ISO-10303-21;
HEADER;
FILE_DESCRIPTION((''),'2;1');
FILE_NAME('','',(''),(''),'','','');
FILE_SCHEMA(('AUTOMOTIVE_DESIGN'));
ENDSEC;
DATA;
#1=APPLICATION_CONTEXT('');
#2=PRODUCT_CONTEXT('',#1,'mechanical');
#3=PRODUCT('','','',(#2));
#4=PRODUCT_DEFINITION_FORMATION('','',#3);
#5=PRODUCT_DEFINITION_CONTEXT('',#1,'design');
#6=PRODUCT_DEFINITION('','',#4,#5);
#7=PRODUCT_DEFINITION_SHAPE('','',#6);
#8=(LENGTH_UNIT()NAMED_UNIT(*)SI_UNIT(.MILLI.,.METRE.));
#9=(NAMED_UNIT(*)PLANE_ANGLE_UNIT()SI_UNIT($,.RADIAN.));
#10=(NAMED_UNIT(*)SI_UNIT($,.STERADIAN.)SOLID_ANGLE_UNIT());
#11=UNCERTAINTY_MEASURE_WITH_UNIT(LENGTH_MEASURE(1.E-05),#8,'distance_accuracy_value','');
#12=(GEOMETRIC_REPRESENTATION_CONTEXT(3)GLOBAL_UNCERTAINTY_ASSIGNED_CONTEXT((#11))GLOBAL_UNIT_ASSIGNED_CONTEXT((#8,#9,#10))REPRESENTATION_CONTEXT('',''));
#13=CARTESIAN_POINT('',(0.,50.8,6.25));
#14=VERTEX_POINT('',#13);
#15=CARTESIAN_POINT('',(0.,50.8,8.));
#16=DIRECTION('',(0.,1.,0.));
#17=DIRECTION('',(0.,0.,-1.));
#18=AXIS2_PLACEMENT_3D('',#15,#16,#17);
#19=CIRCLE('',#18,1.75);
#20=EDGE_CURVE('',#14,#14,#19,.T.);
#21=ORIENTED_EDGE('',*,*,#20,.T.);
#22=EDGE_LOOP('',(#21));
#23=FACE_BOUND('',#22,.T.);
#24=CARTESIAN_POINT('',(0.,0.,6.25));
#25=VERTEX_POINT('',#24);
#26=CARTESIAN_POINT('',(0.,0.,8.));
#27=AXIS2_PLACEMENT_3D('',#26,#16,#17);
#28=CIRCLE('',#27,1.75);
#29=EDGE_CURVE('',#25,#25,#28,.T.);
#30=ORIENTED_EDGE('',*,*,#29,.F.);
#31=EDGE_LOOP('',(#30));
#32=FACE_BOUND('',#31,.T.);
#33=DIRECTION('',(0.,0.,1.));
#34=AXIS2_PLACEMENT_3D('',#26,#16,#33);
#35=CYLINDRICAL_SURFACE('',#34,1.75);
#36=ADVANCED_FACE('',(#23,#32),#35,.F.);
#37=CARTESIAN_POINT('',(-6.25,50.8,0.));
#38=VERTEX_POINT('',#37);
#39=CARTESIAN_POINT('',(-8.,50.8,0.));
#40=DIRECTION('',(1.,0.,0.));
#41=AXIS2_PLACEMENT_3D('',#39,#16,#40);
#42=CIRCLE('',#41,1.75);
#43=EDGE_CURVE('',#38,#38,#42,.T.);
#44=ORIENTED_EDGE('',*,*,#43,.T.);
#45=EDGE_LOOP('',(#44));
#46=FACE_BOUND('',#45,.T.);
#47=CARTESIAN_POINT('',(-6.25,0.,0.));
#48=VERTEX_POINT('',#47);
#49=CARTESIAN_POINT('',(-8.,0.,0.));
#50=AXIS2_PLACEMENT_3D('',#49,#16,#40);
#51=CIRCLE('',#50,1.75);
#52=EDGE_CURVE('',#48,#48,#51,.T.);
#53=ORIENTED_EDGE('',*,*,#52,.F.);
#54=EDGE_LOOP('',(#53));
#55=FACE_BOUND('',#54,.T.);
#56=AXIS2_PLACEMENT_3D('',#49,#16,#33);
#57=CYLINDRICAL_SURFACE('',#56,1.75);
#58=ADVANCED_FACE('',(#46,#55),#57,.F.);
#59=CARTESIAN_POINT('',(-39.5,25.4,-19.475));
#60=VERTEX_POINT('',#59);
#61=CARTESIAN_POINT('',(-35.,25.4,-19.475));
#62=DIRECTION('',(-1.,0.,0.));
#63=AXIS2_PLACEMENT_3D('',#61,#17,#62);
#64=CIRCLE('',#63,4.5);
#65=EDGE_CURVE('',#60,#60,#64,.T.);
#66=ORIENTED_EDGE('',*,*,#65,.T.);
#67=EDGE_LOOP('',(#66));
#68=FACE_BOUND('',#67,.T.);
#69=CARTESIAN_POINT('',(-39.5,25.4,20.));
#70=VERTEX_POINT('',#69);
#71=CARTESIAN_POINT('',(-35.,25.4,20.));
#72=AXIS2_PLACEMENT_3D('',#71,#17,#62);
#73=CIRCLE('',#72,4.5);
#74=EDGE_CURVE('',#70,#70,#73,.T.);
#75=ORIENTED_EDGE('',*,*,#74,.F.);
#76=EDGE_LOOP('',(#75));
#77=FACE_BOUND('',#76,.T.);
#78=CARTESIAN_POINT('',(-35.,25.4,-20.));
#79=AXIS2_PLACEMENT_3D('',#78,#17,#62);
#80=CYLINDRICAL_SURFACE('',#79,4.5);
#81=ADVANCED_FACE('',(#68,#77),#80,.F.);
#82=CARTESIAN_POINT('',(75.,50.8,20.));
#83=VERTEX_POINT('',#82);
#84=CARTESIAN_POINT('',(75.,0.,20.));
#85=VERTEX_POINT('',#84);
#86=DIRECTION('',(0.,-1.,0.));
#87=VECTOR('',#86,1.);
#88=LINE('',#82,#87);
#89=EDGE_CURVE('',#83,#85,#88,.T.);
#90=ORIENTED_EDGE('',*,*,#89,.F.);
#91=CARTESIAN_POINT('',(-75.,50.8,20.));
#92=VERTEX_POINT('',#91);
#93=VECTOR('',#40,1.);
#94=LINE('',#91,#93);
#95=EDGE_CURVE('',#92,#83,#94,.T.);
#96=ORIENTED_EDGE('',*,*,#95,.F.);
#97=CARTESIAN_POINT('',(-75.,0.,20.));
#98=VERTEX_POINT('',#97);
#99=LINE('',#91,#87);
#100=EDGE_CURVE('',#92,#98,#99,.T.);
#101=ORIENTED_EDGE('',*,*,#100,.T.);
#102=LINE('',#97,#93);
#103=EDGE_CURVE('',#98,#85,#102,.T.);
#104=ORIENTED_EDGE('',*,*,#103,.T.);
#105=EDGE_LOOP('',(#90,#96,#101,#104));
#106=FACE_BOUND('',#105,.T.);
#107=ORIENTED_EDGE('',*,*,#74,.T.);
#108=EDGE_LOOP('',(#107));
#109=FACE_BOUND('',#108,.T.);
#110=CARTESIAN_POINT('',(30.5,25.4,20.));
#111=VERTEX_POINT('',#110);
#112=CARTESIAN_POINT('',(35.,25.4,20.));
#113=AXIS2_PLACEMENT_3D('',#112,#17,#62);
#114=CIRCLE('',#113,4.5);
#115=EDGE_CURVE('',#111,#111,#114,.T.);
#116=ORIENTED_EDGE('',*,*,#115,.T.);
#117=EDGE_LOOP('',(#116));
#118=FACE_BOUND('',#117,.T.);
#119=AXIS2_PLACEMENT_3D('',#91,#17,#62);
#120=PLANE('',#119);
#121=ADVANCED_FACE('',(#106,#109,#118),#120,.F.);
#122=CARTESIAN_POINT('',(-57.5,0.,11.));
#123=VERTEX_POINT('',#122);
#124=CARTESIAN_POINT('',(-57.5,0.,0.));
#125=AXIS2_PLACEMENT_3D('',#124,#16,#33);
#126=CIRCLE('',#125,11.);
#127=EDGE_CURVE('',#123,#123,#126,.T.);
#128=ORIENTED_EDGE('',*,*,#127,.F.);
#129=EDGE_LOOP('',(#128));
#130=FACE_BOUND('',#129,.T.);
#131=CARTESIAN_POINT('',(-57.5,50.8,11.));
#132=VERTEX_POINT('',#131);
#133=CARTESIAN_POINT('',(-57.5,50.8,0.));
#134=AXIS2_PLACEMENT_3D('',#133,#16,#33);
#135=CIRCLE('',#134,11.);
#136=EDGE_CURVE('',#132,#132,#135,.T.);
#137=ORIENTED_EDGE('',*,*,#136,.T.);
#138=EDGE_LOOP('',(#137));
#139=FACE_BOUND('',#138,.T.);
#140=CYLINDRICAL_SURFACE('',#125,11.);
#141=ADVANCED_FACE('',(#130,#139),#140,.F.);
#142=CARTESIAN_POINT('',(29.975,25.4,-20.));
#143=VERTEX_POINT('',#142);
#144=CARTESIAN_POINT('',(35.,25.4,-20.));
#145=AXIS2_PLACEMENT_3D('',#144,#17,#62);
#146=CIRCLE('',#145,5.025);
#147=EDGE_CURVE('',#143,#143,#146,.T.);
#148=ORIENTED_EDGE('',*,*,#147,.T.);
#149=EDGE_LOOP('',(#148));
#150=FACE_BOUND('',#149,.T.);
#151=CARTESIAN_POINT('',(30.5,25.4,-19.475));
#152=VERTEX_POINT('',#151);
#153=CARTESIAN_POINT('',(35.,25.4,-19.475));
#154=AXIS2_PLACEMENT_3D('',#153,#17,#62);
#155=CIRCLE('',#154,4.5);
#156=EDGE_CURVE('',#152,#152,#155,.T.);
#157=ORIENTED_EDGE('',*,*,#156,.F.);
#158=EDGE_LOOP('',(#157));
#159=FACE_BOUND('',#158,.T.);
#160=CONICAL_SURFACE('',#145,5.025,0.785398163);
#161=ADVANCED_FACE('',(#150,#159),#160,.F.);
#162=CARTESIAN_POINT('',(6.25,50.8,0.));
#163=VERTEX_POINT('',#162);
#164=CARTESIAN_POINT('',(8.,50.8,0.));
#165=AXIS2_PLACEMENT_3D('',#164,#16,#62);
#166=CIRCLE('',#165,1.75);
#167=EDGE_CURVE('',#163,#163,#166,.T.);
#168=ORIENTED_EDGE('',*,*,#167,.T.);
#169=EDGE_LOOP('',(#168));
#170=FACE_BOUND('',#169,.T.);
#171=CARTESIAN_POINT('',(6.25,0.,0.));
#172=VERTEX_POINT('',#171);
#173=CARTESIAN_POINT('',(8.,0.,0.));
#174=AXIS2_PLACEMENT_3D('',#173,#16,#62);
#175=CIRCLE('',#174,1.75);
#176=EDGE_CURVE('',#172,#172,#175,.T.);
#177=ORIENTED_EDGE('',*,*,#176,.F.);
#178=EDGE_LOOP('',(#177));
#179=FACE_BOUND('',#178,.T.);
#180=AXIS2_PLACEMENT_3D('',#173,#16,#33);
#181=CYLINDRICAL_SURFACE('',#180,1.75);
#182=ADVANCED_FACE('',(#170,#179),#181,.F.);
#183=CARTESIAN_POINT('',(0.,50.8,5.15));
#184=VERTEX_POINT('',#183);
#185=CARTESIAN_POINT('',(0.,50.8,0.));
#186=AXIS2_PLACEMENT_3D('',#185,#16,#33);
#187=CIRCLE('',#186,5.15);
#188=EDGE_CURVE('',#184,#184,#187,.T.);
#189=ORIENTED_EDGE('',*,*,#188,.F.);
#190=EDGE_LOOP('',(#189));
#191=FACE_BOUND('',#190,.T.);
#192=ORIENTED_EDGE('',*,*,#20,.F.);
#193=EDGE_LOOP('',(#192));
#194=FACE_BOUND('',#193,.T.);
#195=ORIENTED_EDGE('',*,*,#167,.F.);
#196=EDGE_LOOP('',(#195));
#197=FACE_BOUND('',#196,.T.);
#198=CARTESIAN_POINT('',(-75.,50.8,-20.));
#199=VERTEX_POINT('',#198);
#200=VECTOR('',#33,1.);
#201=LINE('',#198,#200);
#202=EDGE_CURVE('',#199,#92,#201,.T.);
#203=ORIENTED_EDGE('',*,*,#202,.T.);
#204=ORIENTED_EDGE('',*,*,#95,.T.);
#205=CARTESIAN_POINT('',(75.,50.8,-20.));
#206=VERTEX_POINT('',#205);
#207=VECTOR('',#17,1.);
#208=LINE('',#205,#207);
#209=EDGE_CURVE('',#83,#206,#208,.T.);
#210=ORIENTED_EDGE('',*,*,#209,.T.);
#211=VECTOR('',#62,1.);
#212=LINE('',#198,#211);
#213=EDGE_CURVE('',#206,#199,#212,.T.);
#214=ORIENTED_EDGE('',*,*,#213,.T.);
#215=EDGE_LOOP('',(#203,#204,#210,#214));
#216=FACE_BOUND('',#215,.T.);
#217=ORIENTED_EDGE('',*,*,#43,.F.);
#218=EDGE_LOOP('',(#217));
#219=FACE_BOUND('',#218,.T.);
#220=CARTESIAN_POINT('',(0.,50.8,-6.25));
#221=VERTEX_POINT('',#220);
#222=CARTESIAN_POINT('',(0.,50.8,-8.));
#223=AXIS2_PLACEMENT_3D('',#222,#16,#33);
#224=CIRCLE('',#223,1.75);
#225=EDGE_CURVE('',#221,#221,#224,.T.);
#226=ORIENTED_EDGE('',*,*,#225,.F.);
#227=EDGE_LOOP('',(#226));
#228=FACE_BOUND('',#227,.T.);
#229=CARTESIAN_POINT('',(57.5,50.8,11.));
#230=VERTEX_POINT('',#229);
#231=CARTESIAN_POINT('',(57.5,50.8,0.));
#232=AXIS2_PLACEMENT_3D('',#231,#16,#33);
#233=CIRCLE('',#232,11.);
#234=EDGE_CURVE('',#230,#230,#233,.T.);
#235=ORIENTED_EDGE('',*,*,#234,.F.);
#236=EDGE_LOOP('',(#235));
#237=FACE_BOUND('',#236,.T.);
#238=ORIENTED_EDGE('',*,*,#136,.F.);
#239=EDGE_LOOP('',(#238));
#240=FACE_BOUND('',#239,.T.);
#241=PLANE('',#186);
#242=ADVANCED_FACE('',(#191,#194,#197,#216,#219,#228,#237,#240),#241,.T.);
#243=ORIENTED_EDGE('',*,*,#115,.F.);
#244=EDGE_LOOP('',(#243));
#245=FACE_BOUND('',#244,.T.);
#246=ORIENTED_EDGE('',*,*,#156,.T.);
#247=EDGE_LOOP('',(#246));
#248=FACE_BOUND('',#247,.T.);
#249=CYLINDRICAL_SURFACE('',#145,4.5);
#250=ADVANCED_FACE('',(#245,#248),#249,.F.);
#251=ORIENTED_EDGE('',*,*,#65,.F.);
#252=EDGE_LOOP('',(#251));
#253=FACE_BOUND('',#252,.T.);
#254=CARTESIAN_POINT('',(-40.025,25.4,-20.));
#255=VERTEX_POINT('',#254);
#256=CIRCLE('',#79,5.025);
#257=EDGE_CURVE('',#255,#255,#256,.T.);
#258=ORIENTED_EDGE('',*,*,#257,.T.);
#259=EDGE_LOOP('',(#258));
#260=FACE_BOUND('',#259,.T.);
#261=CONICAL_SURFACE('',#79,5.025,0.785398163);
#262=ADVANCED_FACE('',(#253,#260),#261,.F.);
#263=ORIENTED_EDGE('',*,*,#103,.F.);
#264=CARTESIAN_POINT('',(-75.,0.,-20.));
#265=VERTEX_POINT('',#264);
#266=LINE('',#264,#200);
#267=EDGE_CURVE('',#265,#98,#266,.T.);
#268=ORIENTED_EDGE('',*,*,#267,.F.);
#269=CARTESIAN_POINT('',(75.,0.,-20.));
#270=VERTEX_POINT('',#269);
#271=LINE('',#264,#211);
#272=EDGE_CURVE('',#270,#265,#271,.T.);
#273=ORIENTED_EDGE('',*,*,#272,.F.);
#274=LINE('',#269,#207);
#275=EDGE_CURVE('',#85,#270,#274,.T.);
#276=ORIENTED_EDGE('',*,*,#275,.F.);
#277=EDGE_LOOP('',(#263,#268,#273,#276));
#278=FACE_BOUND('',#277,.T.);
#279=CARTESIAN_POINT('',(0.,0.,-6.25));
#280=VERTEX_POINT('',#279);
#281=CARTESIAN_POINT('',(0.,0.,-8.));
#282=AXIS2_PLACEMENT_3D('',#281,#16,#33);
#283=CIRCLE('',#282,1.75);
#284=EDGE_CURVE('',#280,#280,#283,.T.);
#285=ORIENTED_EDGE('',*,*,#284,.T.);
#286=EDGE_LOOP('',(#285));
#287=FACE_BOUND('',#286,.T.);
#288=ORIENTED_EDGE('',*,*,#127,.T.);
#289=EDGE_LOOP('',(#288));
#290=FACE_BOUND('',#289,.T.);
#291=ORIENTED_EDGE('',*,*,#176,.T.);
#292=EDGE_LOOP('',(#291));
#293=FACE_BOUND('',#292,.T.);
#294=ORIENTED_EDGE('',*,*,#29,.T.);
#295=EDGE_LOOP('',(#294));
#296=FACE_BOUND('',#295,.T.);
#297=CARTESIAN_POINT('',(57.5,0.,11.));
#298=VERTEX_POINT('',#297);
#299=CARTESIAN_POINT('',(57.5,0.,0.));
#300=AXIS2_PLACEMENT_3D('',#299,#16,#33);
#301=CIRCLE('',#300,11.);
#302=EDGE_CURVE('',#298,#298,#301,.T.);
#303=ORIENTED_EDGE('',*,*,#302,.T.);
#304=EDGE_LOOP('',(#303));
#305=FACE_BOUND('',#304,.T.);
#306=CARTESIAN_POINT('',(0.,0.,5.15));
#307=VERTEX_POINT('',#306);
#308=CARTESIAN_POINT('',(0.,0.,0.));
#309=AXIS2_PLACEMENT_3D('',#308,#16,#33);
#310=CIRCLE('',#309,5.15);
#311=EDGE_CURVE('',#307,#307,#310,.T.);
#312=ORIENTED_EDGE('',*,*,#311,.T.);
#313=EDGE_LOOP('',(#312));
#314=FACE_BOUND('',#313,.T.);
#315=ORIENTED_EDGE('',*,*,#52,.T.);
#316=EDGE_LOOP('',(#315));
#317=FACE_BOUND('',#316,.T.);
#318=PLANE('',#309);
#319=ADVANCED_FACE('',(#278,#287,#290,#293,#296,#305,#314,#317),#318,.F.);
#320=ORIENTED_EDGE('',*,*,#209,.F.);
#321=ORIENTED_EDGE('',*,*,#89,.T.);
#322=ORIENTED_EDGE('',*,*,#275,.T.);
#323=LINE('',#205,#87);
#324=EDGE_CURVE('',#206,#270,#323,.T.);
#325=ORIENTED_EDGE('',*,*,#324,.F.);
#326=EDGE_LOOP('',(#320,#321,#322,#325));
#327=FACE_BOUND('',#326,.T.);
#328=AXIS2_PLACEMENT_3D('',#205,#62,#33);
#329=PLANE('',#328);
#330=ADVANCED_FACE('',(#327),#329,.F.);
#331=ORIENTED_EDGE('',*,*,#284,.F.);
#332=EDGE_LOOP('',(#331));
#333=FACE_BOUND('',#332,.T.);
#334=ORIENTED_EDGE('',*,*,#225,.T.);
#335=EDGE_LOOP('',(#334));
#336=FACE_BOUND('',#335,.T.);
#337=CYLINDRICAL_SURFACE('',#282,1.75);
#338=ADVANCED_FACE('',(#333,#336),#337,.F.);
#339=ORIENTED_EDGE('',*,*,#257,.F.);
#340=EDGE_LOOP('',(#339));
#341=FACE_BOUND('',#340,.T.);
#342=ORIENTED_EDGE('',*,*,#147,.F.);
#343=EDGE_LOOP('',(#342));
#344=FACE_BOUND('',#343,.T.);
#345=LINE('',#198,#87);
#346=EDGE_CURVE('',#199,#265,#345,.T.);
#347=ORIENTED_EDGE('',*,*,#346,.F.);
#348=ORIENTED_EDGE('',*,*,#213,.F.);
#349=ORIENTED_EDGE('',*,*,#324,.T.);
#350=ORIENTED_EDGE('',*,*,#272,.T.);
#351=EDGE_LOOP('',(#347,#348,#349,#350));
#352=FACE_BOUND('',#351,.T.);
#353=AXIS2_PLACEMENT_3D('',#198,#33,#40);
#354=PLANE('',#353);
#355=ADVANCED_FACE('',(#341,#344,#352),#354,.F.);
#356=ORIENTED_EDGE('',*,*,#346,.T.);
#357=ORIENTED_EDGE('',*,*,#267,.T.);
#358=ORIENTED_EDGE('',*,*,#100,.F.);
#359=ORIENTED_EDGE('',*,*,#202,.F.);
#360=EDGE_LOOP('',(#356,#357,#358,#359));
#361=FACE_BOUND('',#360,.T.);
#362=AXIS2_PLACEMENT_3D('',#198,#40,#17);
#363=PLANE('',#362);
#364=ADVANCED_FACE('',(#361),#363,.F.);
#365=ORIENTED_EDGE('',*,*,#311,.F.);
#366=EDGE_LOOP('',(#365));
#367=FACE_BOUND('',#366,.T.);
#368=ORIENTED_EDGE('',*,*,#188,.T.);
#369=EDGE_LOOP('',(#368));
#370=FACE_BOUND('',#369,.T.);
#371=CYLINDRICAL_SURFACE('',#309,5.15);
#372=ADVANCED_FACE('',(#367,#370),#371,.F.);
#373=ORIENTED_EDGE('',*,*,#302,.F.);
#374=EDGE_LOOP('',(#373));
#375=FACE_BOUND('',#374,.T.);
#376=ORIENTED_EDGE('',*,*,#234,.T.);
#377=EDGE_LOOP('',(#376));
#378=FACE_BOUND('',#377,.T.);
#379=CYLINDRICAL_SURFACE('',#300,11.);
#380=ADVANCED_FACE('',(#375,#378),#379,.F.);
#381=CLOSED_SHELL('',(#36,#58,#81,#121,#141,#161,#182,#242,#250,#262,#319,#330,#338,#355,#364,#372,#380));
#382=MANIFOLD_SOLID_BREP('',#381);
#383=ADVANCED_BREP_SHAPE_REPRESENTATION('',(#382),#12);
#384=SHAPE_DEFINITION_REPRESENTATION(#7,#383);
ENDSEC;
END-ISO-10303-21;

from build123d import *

# Parameters (mm, degrees)
ESBO_O1_W                            = 150
ESBO_O1_H                            = 40
RESSALTO_EXTRUS_O1_DEPTH             = 50.8
ESBO_O2_R                            = 5.15
ESBO_O2_R_2                          = 11
CORTE_EXTRUS_O1_DEPTH                = 93.766588813
ESBO_O3_R                            = 1.75
CORTE_EXTRUS_O2_DEPTH                = 93.766588813
PADR_OCIRCULAR1_COUNT                = 4
ESBO_O5_R                            = 4
CORTE_EXTRUS_O3_DEPTH                = 100.023431571
FURO_ROSCADO_DE_M10X1_01_D           = 9
FURO_ROSCADO_DE_M10X1_01_CSINK_D     = 10.05
FURO_ROSCADO_DE_M10X1_01_CSINK_ANGLE = 90


with BuildPart() as part:
    # Esboço1 → Ressalto-extrusão1 (new body)
    with BuildSketch(Plane(origin=(0, 0, 0), x_dir=(1, 0, 0), z_dir=(0, 1, 0))):
        Rectangle(ESBO_O1_W, ESBO_O1_H)
    extrude(amount=RESSALTO_EXTRUS_O1_DEPTH)

    # Esboço2 → Corte-extrusão1 (cut, through all)
    with BuildSketch(Plane(origin=(0, 50.8, 0), x_dir=(1, 0, 0), z_dir=(0, 1, 0))):
        with Locations(Location((0, 0, 0), (0, 0, 270))):
            Circle(ESBO_O2_R)
        with Locations(Location((-57.5, 0, 0), (0, 0, 270))):
            Circle(ESBO_O2_R_2)
        with Locations(Location((57.5, 0, 0), (0, 0, 270))):
            Circle(ESBO_O2_R_2)
    extrude(amount=-CORTE_EXTRUS_O1_DEPTH, mode=Mode.SUBTRACT)

    # Esboço3 → Corte-extrusão2 (cut, through all)
    with BuildSketch(Plane(origin=(0, 50.8, 0), x_dir=(1, 0, 0), z_dir=(0, 1, 0))):
        with Locations(Location((0, 8, 0), (0, 0, 270))):
            Circle(ESBO_O3_R)
    corte_extrus_o2 = extrude(amount=-CORTE_EXTRUS_O2_DEPTH, mode=Mode.SUBTRACT)

    # PadrãoCircular1: Corte-extrusão2 ×4 about axis
    padr_ocircular1_axis = Axis((0, 0, 0), (0, 1, 0))
    for i in range(1, PADR_OCIRCULAR1_COUNT):
        add(corte_extrus_o2.rotate(padr_ocircular1_axis, i * 360 / PADR_OCIRCULAR1_COUNT), mode=Mode.SUBTRACT)

    # Esboço5 → Corte-extrusão3 (cut, through all)
    with BuildSketch(Plane(origin=(0, 0, -20), x_dir=(-1, 0, 0), z_dir=(0, 0, -1))):
        with Locations((35, 25.4)):
            Circle(ESBO_O5_R)
        with Locations((-35, 25.4)):
            Circle(ESBO_O5_R)
    extrude(amount=-CORTE_EXTRUS_O3_DEPTH, mode=Mode.SUBTRACT)

    # Furo roscado de M10x1.01 (through all)
    with Locations(Plane(origin=(0, 0, -20), x_dir=(-1, 0, 0), z_dir=(0, 0, -1))):
        with Locations((35, 25.4), (-35, 25.4)):
            CounterSinkHole(FURO_ROSCADO_DE_M10X1_01_D / 2, FURO_ROSCADO_DE_M10X1_01_CSINK_D / 2, counter_sink_angle=FURO_ROSCADO_DE_M10X1_01_CSINK_ANGLE)


solid = part.part
